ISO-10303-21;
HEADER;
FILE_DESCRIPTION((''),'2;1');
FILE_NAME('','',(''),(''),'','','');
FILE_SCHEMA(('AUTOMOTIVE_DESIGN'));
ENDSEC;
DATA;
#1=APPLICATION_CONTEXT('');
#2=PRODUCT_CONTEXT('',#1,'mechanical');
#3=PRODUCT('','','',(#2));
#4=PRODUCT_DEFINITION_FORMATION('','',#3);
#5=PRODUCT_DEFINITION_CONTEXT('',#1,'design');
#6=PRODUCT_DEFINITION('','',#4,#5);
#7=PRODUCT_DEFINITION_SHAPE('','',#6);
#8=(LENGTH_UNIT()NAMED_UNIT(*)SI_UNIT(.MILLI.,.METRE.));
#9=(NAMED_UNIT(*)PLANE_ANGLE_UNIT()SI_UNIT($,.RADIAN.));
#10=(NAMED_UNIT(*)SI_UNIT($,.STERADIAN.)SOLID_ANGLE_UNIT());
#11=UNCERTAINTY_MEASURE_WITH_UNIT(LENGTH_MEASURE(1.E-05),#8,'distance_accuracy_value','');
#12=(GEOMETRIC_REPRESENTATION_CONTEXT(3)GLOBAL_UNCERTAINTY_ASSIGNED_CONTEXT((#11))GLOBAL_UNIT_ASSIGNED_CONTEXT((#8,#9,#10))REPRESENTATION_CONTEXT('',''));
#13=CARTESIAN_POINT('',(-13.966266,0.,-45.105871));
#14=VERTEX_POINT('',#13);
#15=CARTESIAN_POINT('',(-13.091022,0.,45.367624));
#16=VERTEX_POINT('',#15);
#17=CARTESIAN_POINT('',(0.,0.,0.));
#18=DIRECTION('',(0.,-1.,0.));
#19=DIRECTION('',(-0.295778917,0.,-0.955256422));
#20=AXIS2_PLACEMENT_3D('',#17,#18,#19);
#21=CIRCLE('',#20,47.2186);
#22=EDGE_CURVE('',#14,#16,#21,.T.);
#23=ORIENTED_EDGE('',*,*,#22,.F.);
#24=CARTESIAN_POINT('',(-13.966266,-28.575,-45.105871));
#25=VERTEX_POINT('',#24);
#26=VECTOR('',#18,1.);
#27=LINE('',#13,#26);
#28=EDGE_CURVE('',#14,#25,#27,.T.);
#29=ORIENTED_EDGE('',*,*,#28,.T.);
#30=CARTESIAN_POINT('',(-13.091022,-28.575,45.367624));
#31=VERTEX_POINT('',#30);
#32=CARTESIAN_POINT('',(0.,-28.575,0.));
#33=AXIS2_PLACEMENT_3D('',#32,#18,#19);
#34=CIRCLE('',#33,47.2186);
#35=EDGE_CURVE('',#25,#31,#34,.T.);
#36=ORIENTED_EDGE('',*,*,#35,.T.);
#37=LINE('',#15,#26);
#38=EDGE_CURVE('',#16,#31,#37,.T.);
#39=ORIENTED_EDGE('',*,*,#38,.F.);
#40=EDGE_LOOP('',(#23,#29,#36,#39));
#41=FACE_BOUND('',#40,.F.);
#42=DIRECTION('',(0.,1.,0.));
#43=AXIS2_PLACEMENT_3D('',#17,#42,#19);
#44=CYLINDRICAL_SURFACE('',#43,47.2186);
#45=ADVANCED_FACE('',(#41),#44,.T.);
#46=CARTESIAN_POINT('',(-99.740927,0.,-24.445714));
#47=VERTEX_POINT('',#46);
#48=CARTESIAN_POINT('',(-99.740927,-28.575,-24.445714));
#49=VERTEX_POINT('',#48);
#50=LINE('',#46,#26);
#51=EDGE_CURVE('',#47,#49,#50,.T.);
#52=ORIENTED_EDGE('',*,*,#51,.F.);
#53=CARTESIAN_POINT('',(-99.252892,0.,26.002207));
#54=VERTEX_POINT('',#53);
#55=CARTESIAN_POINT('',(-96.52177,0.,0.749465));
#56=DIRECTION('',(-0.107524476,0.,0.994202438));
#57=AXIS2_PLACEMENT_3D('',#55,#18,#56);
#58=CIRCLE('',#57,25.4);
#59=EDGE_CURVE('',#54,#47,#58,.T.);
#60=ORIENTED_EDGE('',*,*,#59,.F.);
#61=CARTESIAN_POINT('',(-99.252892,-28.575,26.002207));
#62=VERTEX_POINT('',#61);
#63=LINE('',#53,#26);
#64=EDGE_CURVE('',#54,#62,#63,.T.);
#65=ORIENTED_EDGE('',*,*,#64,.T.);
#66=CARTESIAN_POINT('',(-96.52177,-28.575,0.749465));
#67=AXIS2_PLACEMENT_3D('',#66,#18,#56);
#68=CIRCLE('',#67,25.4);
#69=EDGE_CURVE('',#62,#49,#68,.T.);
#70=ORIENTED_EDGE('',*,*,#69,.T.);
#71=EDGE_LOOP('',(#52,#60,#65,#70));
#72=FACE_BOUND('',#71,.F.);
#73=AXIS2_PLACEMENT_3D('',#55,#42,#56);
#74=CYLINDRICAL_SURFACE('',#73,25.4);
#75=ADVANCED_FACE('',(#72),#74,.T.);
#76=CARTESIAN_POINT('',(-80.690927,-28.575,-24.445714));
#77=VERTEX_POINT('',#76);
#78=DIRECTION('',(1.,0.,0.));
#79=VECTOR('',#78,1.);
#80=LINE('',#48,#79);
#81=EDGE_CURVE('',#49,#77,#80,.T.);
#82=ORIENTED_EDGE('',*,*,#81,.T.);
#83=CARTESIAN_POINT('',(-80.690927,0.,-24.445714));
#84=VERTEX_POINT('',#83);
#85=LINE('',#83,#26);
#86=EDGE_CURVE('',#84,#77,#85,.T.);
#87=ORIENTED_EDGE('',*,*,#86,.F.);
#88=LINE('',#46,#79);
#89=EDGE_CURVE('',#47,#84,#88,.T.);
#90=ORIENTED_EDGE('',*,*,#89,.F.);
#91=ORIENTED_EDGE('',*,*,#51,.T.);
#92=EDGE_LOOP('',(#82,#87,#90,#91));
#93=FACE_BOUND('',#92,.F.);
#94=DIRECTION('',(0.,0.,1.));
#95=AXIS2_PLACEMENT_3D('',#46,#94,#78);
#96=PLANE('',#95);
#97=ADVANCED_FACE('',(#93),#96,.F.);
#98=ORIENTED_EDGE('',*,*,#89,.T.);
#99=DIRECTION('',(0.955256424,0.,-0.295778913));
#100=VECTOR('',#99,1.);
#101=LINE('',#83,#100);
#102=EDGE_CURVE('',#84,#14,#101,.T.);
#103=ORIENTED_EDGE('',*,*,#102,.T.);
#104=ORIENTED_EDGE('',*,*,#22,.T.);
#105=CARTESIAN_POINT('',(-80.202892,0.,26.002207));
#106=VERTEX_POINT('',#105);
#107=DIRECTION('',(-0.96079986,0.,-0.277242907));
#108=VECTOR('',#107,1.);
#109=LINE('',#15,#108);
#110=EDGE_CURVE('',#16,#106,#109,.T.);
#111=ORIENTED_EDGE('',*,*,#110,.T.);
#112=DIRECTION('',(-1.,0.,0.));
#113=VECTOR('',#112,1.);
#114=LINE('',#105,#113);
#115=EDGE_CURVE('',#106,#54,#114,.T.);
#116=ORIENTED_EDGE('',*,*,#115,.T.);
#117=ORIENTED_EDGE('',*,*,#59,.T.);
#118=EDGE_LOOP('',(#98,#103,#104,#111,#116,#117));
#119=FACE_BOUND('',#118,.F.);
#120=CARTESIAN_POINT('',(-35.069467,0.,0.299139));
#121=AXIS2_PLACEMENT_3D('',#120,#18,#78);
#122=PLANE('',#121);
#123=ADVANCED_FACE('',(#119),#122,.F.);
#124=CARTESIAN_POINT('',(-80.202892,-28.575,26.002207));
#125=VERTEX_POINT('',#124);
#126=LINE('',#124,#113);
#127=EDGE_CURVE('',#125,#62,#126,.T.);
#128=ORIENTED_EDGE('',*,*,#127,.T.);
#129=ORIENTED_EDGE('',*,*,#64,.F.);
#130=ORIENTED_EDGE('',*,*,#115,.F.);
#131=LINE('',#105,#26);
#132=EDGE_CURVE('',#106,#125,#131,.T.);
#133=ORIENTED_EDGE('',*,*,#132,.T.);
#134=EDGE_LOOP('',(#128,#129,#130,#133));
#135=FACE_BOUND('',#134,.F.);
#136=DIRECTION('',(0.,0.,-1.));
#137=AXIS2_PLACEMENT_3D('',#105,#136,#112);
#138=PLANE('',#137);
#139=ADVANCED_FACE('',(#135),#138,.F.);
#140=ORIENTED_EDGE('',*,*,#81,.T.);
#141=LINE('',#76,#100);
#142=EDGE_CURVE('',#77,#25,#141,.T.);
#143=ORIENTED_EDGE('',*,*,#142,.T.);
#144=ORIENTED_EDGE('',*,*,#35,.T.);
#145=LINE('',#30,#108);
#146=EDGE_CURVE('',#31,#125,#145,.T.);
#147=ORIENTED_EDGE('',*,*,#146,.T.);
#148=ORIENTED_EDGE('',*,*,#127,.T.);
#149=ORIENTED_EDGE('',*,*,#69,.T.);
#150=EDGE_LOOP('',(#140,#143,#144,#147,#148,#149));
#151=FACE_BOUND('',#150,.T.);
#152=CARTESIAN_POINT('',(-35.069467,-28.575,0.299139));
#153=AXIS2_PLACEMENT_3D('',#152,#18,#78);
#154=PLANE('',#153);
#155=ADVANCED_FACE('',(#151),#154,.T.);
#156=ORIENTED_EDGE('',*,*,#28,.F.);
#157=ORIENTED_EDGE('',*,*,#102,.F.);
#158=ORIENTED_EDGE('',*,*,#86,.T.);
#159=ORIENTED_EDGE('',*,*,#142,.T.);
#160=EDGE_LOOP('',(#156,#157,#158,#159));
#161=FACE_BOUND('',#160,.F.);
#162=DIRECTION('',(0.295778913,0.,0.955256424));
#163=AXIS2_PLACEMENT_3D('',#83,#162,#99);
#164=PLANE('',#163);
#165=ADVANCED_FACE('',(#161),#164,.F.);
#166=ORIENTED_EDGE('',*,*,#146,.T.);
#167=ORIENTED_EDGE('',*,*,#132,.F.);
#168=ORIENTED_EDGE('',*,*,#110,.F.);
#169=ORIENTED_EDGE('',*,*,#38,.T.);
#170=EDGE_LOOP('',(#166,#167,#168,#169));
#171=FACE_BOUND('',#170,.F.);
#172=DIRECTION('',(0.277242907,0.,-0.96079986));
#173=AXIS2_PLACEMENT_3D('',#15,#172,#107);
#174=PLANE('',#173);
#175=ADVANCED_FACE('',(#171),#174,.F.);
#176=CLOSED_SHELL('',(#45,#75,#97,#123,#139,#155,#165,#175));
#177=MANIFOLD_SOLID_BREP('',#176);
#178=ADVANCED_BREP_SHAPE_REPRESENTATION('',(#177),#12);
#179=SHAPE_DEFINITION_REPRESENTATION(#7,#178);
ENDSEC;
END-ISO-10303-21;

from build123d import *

# Parameters (mm, degrees)
F1_DEPTH = 28.575


with BuildPart() as f1:
    # F0 (on Front) → F1 (new body)
    with BuildSketch(Plane.XZ):
        with BuildLine():
            Line((-80.690927, -24.445714), (-13.966266, -45.105871))
            ThreePointArc((-13.966266, -45.105871), (47.216391, -0.456773), (-13.091022, 45.367624))
            Line((-13.091022, 45.367624), (-80.202892, 26.002207))
            Line((-80.202892, 26.002207), (-93.790649, 26.002207))
            Line((-93.790649, 26.002207), (-99.252892, 26.002207))
            ThreePointArc((-99.252892, 26.002207), (-121.920582, 0.995174), (-99.740927, -24.445714))
            Line((-99.740927, -24.445714), (-93.302614, -24.445714))
            Line((-93.302614, -24.445714), (-80.690927, -24.445714))
        make_face()
    extrude(amount=F1_DEPTH)


solid = f1.part
